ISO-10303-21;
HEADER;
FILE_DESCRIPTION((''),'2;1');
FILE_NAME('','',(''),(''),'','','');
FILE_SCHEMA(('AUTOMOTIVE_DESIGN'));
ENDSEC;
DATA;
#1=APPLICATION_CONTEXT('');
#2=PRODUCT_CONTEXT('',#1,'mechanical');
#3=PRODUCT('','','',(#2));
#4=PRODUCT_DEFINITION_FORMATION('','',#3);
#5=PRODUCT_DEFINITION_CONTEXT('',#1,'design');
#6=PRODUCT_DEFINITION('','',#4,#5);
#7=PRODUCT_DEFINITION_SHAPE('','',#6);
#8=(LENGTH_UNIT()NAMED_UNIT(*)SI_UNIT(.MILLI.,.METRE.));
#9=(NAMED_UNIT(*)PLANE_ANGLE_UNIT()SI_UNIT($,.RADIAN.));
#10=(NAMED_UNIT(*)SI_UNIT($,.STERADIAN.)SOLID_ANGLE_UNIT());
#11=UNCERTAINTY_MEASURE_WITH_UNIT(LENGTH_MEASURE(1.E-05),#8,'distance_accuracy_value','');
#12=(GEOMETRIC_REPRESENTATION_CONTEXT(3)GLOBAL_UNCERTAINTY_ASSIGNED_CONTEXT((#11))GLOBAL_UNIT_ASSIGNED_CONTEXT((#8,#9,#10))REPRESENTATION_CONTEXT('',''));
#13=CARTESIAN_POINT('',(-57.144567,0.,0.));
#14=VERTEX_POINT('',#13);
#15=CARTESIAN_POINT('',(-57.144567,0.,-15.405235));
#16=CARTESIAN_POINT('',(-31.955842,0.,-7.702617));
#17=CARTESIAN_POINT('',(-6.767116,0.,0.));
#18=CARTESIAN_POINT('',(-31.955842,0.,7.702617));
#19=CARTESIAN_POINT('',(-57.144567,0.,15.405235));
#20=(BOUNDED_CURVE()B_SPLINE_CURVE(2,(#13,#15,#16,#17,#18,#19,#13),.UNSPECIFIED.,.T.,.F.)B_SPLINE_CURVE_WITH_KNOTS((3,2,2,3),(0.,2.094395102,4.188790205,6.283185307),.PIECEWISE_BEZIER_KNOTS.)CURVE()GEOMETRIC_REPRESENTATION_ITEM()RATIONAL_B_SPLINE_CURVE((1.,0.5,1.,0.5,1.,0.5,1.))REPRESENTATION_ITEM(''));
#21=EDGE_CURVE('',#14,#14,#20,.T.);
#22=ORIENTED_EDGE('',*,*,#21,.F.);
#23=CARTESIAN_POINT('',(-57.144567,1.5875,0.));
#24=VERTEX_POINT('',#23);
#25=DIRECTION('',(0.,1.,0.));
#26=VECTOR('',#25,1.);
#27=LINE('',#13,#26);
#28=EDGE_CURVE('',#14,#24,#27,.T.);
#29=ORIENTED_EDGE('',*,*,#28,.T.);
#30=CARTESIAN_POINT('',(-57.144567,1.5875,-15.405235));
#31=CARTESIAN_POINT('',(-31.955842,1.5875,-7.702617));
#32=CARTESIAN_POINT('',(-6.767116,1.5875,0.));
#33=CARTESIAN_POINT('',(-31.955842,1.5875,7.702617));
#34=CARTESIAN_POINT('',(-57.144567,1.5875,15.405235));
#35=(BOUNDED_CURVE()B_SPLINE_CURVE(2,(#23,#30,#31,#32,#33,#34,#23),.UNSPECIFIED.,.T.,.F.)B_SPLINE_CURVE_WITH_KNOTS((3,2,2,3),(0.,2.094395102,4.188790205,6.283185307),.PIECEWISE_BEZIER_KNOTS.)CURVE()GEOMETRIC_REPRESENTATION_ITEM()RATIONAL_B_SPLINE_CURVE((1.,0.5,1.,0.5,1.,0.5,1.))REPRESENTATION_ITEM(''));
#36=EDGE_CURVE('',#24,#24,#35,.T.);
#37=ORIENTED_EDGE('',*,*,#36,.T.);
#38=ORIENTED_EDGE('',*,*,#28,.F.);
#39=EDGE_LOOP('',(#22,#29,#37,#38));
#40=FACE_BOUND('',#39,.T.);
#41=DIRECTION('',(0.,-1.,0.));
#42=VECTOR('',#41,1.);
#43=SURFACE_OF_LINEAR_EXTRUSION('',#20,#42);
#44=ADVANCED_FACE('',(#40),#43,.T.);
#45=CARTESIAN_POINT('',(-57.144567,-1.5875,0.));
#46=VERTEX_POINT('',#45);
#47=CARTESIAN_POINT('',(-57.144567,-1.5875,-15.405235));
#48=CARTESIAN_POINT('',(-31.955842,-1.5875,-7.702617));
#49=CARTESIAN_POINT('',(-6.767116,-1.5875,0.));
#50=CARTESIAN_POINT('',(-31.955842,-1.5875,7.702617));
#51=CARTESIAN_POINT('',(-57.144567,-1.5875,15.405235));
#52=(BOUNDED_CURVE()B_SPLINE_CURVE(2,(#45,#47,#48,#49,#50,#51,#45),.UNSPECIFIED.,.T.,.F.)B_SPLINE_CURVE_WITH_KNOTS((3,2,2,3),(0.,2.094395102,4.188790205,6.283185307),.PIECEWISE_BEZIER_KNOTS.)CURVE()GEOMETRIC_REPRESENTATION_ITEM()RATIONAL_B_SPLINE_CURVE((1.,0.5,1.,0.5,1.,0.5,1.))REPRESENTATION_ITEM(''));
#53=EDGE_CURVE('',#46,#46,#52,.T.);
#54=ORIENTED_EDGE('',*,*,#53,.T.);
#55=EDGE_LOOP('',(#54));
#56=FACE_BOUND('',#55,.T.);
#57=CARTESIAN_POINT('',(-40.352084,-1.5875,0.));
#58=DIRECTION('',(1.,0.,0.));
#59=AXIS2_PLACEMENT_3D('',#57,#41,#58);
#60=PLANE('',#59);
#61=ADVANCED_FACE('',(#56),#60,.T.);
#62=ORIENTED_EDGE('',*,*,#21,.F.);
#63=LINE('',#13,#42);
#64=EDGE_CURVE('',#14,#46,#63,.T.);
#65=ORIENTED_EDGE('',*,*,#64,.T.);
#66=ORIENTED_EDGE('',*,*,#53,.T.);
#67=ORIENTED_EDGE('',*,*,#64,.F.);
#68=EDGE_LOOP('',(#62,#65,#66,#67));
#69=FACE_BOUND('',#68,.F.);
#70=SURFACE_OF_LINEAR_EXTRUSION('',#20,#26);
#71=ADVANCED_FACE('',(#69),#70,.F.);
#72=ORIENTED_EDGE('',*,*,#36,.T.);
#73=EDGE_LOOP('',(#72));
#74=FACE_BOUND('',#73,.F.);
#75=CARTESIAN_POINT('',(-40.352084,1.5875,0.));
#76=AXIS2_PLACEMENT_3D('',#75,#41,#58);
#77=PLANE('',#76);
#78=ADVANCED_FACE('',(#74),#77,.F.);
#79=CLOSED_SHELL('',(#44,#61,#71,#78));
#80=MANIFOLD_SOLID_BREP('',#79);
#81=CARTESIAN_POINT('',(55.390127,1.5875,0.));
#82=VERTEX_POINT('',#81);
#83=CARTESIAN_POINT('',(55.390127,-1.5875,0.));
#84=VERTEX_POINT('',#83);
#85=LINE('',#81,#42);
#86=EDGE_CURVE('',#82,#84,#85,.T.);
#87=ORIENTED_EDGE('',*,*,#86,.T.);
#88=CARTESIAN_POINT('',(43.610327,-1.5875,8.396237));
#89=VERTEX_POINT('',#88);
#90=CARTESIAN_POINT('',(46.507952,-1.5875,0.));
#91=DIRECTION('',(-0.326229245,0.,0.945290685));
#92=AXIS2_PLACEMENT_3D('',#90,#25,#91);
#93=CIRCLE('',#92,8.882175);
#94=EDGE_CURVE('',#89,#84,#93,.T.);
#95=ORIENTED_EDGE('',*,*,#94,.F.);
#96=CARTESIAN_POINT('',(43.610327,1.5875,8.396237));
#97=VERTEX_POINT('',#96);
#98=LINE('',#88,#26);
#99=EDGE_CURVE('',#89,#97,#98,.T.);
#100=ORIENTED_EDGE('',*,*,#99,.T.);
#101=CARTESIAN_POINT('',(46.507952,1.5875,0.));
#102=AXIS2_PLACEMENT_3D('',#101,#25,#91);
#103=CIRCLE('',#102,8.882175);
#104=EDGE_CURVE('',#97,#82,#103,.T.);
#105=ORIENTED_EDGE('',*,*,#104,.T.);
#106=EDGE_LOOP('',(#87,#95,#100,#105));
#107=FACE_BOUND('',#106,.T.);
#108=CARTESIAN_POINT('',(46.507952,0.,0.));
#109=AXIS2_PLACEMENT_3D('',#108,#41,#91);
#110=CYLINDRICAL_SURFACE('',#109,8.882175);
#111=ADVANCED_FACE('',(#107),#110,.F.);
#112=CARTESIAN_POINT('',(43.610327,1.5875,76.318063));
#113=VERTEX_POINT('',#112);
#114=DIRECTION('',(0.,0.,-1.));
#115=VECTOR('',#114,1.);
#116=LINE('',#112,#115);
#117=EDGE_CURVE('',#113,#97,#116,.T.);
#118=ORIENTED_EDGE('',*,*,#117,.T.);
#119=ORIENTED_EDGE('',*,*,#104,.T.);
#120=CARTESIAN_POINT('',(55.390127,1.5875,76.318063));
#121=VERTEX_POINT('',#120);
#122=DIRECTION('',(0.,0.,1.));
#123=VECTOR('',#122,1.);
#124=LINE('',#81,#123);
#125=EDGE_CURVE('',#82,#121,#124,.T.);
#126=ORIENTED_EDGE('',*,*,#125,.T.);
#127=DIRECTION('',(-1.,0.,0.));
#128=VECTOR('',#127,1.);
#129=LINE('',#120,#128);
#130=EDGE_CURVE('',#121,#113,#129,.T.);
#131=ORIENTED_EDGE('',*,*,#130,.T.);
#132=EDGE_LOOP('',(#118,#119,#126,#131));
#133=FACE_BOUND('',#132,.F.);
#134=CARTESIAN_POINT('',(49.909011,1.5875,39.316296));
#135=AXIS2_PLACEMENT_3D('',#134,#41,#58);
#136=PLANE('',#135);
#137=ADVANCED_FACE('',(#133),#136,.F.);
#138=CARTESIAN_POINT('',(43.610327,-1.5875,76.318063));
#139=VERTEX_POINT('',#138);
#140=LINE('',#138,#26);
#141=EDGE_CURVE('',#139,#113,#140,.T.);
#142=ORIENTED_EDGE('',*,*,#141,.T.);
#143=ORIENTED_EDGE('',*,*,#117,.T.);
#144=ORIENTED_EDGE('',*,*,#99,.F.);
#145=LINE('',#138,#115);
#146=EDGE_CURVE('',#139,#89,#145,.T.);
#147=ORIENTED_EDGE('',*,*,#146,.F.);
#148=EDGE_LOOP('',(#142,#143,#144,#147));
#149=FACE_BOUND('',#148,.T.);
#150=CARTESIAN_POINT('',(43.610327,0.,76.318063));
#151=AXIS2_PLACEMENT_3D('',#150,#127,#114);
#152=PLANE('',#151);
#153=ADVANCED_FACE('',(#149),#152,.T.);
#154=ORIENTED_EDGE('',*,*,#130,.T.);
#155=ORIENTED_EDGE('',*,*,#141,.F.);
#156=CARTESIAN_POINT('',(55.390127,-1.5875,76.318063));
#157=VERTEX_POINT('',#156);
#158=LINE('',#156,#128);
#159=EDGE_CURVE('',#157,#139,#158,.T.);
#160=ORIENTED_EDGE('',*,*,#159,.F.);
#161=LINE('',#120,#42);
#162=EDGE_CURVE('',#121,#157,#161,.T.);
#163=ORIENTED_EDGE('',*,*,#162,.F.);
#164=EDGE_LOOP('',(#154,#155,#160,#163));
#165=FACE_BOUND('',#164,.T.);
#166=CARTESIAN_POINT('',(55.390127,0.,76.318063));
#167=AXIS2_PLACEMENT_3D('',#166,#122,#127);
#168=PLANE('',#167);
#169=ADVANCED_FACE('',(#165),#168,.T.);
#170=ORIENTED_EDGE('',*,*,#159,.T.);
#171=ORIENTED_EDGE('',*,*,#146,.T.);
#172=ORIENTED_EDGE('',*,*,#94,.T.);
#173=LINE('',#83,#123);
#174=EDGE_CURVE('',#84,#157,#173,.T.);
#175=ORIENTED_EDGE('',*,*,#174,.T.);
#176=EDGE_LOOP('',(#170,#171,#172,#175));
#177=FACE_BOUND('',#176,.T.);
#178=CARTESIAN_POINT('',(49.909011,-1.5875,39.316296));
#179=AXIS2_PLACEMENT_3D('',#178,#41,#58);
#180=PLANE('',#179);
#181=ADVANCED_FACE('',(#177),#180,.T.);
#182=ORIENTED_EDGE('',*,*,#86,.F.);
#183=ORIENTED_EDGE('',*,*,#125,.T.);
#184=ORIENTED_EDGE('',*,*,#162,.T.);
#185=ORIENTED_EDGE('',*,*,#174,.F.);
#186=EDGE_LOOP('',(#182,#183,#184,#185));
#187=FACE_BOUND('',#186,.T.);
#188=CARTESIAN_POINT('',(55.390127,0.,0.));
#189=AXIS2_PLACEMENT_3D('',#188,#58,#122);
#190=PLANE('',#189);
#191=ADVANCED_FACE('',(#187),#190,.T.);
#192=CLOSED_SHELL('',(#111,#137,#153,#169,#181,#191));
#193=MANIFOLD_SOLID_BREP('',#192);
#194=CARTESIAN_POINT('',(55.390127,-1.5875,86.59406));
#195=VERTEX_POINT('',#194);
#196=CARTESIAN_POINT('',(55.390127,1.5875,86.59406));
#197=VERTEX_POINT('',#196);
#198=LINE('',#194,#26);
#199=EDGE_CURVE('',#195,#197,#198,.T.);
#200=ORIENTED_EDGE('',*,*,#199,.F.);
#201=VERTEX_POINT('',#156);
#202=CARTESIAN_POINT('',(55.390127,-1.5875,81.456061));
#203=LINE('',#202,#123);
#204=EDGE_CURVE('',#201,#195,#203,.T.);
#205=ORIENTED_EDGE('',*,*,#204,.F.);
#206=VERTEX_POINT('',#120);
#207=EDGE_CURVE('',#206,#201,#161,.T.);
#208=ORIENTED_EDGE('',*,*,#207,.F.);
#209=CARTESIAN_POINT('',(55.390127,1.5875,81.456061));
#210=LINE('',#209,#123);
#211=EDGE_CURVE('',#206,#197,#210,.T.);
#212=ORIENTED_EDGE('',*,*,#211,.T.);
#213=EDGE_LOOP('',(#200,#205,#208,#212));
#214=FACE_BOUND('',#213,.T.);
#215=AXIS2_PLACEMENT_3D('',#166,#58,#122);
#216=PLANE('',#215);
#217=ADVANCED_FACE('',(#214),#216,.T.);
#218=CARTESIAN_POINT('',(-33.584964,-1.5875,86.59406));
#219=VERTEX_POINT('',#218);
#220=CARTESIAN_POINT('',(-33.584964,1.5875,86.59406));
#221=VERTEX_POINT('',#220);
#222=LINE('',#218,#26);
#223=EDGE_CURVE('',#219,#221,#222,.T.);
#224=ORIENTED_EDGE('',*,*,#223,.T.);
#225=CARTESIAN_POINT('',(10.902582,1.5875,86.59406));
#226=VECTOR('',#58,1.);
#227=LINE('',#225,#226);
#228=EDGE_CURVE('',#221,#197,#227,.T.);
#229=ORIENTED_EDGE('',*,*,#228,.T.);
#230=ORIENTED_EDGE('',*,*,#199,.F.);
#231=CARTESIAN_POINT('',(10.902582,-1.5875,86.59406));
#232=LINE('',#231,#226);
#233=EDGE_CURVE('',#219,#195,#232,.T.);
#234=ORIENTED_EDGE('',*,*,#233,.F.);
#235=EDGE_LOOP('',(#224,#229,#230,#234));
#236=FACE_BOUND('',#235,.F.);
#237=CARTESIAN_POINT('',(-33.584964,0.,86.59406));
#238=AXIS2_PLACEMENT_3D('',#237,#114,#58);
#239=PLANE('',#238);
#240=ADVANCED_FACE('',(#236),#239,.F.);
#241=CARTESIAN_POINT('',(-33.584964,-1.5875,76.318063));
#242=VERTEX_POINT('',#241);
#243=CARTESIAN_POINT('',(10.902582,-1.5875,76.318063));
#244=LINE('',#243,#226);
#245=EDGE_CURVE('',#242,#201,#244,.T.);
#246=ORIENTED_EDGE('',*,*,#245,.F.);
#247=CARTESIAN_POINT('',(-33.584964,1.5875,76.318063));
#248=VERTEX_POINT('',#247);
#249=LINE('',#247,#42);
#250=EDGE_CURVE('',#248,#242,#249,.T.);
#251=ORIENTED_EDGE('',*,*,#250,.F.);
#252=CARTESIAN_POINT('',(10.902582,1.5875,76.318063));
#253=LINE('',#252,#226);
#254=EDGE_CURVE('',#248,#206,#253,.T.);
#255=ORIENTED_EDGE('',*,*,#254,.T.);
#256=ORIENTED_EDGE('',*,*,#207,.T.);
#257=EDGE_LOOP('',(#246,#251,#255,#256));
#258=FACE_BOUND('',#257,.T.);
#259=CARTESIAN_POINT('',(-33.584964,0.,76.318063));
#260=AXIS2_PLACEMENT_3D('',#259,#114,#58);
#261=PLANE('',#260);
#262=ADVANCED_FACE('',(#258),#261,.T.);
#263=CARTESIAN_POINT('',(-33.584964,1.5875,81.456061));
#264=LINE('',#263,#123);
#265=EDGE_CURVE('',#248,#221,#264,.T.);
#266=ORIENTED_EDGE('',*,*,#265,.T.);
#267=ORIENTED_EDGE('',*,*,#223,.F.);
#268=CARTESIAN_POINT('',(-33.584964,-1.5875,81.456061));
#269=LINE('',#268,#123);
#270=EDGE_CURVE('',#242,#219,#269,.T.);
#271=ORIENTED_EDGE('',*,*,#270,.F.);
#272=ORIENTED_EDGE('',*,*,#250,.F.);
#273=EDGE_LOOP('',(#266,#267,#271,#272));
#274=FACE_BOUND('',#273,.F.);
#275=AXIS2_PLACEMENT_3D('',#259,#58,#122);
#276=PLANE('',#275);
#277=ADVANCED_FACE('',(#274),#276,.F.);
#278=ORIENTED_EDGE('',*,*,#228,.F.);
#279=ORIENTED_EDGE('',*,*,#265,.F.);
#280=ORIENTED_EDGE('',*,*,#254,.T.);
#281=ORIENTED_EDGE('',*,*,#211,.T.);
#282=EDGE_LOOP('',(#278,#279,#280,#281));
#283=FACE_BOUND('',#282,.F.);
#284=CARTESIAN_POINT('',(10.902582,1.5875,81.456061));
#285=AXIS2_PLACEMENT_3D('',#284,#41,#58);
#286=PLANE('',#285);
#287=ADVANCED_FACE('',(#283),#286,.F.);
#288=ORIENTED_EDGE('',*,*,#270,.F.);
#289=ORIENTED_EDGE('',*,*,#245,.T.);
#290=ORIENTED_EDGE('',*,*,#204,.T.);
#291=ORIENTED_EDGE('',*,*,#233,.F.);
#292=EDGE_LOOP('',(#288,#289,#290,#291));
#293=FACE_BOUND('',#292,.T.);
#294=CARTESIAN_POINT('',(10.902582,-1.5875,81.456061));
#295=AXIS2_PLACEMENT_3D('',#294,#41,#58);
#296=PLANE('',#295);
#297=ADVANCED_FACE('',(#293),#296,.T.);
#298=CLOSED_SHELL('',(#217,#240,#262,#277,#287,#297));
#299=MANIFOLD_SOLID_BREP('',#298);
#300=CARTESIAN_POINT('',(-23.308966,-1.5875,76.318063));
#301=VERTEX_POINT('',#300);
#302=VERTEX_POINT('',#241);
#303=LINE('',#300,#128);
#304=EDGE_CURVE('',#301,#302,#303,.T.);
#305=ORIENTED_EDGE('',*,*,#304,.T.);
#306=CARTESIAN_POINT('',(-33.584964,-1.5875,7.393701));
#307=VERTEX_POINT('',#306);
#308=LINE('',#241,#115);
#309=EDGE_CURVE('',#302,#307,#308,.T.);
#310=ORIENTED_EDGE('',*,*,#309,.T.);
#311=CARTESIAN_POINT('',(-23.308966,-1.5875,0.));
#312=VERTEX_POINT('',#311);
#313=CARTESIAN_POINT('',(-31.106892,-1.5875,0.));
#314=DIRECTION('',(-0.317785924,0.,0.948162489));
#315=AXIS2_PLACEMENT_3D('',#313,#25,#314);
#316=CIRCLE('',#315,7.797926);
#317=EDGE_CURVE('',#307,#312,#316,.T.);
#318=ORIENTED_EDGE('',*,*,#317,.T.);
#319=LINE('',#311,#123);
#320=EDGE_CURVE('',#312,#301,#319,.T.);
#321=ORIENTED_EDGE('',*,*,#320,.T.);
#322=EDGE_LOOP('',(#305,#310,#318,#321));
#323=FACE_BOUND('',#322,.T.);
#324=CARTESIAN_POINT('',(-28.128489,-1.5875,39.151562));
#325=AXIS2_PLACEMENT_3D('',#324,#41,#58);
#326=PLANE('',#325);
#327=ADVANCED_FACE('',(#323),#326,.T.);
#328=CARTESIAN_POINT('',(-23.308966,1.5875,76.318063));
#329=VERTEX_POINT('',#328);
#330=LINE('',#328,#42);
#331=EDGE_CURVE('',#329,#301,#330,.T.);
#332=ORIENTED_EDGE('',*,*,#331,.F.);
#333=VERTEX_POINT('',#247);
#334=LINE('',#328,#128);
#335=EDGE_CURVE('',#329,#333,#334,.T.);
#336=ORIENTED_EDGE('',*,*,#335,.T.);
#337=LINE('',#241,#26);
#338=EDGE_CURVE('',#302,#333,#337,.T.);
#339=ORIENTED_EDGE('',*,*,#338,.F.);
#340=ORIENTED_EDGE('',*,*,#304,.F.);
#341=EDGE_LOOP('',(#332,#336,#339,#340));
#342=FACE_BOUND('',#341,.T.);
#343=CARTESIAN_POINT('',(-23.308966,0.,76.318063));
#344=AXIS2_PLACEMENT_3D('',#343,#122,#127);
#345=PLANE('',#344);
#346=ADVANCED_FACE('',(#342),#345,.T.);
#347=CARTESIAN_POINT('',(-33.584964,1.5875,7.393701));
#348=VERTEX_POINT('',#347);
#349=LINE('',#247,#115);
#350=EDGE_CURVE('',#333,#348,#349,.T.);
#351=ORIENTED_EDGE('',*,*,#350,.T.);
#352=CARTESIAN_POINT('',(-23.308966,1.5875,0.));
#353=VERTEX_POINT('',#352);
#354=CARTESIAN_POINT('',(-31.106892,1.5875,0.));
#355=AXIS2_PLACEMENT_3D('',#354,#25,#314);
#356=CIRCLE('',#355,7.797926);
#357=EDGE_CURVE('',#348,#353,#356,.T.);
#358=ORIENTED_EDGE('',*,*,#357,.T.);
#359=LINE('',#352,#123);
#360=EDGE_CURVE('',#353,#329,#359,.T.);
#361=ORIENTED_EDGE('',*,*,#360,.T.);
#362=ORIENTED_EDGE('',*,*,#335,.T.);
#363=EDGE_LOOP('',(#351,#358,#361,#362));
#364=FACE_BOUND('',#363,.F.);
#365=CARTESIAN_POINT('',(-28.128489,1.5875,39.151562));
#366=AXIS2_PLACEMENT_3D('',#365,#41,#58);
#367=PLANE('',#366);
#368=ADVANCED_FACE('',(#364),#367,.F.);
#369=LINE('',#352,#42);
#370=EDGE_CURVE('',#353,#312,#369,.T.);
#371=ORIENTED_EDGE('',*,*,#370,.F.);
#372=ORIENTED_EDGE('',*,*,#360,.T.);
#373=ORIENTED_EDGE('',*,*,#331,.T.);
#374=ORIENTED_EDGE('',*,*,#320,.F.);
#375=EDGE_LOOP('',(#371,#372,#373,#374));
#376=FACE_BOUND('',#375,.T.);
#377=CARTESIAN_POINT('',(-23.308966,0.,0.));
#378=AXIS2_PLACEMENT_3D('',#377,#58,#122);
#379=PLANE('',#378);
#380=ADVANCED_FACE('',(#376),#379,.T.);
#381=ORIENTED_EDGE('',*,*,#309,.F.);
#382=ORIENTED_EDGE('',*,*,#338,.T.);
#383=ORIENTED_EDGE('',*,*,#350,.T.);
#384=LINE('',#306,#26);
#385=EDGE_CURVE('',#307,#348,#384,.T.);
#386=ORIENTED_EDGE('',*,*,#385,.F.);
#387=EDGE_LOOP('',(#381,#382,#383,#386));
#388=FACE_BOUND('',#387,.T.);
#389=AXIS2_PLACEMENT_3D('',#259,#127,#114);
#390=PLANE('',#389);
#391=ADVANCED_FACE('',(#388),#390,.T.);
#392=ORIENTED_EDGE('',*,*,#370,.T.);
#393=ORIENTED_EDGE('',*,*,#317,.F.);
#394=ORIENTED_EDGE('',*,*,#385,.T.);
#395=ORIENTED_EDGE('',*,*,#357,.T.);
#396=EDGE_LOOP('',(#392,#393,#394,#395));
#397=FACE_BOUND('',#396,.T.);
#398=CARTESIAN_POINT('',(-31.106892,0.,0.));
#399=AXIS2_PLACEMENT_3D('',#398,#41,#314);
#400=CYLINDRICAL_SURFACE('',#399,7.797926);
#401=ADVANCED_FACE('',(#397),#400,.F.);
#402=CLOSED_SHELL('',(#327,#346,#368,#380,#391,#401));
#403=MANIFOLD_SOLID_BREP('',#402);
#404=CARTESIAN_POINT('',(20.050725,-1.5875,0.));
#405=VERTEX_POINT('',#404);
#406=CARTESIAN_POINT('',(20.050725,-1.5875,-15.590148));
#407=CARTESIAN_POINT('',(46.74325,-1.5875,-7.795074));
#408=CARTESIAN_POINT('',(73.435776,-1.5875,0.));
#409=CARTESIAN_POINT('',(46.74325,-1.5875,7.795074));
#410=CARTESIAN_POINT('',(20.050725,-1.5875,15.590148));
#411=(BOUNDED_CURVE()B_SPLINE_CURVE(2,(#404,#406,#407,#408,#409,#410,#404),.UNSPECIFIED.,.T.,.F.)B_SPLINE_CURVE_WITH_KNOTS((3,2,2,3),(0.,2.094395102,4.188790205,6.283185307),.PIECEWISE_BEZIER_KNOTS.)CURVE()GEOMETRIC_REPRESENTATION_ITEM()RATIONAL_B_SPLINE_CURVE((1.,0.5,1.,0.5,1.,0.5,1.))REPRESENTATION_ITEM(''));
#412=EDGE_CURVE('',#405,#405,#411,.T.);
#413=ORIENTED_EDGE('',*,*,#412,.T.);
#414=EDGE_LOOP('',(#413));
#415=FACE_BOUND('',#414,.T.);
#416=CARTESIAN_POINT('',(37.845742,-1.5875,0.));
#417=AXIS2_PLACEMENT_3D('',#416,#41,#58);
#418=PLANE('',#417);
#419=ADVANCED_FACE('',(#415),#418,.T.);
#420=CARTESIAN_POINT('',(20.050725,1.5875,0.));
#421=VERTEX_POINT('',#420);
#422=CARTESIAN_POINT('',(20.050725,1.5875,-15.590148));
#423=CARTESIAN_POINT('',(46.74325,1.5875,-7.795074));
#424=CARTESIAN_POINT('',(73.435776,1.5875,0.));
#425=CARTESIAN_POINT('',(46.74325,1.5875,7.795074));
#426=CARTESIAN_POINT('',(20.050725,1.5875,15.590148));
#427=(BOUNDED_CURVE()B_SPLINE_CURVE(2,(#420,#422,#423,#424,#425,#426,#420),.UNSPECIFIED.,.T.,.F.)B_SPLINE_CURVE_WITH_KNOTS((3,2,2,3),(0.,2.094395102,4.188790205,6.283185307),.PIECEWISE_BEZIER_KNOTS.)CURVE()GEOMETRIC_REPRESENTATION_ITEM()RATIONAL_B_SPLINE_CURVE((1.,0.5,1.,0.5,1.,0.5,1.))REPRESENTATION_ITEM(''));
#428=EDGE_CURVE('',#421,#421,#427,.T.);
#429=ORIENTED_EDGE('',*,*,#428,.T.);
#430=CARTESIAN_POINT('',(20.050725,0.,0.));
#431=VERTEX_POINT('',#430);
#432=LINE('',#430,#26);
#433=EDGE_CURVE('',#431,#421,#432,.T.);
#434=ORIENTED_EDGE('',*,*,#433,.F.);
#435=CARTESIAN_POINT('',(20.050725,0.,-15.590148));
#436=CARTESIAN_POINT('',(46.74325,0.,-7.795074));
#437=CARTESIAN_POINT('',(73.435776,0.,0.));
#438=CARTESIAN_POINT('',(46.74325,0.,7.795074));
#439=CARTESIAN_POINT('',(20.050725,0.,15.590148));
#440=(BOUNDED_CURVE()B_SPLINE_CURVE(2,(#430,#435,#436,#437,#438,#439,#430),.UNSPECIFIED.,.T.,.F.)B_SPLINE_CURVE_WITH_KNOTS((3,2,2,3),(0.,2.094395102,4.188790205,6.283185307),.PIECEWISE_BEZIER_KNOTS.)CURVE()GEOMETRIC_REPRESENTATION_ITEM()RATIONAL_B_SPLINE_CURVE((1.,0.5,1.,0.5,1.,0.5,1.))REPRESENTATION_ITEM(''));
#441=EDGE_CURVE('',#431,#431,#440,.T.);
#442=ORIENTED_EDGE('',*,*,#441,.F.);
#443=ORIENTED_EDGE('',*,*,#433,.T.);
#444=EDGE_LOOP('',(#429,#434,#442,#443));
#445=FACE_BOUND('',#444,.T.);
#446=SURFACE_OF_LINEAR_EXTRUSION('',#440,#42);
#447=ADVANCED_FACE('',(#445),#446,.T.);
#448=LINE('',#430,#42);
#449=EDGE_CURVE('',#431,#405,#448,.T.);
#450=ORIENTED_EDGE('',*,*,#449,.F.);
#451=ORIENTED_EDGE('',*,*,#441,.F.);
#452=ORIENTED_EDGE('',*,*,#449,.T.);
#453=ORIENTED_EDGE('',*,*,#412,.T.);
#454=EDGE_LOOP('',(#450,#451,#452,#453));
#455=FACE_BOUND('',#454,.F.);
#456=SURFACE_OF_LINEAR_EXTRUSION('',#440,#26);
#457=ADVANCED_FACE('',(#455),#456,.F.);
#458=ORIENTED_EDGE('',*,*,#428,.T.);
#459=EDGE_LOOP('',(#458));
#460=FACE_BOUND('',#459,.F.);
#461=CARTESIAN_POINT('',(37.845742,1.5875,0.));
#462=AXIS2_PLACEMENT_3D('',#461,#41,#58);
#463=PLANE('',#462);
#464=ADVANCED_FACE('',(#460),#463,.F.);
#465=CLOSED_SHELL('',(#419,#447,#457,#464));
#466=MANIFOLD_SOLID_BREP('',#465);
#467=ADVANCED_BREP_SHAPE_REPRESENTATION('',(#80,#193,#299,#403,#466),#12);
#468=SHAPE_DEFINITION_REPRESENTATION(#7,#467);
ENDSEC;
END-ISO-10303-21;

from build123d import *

# Parameters (mm, degrees)
F5_DEPTH = 1.5875
F4_W     = 88.9750905335
F4_H     = 10.2759972215


with BuildPart() as f5:
    # F0 (on Front) → F5 (new body, symmetric)
    with BuildSketch(Plane.XZ):
        with BuildLine():
            add(Edge.make_bspline(
                [(-57.1445673704, 0), (-57.1445673704, -15.4052348919), (-31.9558419287, -7.702617446), (-6.767116487, 0), (-31.9558419287, 7.702617446), (-57.1445673704, 15.4052348919), (-57.1445673704, 0)],
                knots=[0, 0, 0, 2.0943951024, 2.0943951024, 4.1887902048, 4.1887902048, 6.2831853072, 6.2831853072, 6.2831853072], degree=2, weights=[1, 0.5, 1, 0.5, 1, 0.5, 1]))
        make_face()
    extrude(amount=F5_DEPTH, both=True)


with BuildPart() as f5b:
    # F1 (on Front) → F5, piece 2 (new body, symmetric)
    with BuildSketch(Plane.XZ):
        with BuildLine():
            add(Edge.make_bspline(
                [(20.0507249683, 0), (20.0507249683, -15.5901480304), (46.743250452, -7.7950740152), (73.4357759356, 0), (46.743250452, 7.7950740152), (20.0507249683, 15.5901480304), (20.0507249683, 0)],
                knots=[0, 0, 0, 2.0943951024, 2.0943951024, 4.1887902048, 4.1887902048, 6.2831853072, 6.2831853072, 6.2831853072], degree=2, weights=[1, 0.5, 1, 0.5, 1, 0.5, 1]))
        make_face()
    extrude(amount=F5_DEPTH, both=True)


with BuildPart() as f5c:
    # F2 (on Front) → F5, piece 3 (new body, symmetric)
    with BuildSketch(Plane.XZ):
        with BuildLine():
            ThreePointArc((-33.5849635303, 7.393701002), (-26.5525628246, 6.3297498648), (-23.3089663088, 0))
            Line((-23.3089663088, 0), (-23.3089663088, 76.3180628419))
            Line((-23.3089663088, 76.3180628419), (-33.5849635303, 76.3180628419))
            Line((-33.5849635303, 76.3180628419), (-33.5849635303, 7.393701002))
        make_face()
    extrude(amount=F5_DEPTH, both=True)


with BuildPart() as f5d:
    # F3 (on Front) → F5, piece 4 (new body, symmetric)
    with BuildSketch(Plane.XZ):
        with BuildLine():
            ThreePointArc((43.6103269458, 8.3962371573), (51.6633287809, 7.2329193241), (55.3901270032, 0))
            Line((55.3901270032, 0), (55.3901270032, 76.3180628419))
            Line((55.3901270032, 76.3180628419), (43.6103269458, 76.3180628419))
            Line((43.6103269458, 76.3180628419), (43.6103269458, 8.3962371573))
        make_face()
    extrude(amount=F5_DEPTH, both=True)


with BuildPart() as f5e:
    # F4 (on Front) → F5, piece 5 (new body, symmetric)
    with BuildSketch(Plane.XZ):
        with Locations((10.9025817364, 81.4560614526)):
            Rectangle(F4_W, F4_H)
    extrude(amount=F5_DEPTH, both=True)


solid = Compound([f5.part, f5b.part, f5c.part, f5d.part, f5e.part])
